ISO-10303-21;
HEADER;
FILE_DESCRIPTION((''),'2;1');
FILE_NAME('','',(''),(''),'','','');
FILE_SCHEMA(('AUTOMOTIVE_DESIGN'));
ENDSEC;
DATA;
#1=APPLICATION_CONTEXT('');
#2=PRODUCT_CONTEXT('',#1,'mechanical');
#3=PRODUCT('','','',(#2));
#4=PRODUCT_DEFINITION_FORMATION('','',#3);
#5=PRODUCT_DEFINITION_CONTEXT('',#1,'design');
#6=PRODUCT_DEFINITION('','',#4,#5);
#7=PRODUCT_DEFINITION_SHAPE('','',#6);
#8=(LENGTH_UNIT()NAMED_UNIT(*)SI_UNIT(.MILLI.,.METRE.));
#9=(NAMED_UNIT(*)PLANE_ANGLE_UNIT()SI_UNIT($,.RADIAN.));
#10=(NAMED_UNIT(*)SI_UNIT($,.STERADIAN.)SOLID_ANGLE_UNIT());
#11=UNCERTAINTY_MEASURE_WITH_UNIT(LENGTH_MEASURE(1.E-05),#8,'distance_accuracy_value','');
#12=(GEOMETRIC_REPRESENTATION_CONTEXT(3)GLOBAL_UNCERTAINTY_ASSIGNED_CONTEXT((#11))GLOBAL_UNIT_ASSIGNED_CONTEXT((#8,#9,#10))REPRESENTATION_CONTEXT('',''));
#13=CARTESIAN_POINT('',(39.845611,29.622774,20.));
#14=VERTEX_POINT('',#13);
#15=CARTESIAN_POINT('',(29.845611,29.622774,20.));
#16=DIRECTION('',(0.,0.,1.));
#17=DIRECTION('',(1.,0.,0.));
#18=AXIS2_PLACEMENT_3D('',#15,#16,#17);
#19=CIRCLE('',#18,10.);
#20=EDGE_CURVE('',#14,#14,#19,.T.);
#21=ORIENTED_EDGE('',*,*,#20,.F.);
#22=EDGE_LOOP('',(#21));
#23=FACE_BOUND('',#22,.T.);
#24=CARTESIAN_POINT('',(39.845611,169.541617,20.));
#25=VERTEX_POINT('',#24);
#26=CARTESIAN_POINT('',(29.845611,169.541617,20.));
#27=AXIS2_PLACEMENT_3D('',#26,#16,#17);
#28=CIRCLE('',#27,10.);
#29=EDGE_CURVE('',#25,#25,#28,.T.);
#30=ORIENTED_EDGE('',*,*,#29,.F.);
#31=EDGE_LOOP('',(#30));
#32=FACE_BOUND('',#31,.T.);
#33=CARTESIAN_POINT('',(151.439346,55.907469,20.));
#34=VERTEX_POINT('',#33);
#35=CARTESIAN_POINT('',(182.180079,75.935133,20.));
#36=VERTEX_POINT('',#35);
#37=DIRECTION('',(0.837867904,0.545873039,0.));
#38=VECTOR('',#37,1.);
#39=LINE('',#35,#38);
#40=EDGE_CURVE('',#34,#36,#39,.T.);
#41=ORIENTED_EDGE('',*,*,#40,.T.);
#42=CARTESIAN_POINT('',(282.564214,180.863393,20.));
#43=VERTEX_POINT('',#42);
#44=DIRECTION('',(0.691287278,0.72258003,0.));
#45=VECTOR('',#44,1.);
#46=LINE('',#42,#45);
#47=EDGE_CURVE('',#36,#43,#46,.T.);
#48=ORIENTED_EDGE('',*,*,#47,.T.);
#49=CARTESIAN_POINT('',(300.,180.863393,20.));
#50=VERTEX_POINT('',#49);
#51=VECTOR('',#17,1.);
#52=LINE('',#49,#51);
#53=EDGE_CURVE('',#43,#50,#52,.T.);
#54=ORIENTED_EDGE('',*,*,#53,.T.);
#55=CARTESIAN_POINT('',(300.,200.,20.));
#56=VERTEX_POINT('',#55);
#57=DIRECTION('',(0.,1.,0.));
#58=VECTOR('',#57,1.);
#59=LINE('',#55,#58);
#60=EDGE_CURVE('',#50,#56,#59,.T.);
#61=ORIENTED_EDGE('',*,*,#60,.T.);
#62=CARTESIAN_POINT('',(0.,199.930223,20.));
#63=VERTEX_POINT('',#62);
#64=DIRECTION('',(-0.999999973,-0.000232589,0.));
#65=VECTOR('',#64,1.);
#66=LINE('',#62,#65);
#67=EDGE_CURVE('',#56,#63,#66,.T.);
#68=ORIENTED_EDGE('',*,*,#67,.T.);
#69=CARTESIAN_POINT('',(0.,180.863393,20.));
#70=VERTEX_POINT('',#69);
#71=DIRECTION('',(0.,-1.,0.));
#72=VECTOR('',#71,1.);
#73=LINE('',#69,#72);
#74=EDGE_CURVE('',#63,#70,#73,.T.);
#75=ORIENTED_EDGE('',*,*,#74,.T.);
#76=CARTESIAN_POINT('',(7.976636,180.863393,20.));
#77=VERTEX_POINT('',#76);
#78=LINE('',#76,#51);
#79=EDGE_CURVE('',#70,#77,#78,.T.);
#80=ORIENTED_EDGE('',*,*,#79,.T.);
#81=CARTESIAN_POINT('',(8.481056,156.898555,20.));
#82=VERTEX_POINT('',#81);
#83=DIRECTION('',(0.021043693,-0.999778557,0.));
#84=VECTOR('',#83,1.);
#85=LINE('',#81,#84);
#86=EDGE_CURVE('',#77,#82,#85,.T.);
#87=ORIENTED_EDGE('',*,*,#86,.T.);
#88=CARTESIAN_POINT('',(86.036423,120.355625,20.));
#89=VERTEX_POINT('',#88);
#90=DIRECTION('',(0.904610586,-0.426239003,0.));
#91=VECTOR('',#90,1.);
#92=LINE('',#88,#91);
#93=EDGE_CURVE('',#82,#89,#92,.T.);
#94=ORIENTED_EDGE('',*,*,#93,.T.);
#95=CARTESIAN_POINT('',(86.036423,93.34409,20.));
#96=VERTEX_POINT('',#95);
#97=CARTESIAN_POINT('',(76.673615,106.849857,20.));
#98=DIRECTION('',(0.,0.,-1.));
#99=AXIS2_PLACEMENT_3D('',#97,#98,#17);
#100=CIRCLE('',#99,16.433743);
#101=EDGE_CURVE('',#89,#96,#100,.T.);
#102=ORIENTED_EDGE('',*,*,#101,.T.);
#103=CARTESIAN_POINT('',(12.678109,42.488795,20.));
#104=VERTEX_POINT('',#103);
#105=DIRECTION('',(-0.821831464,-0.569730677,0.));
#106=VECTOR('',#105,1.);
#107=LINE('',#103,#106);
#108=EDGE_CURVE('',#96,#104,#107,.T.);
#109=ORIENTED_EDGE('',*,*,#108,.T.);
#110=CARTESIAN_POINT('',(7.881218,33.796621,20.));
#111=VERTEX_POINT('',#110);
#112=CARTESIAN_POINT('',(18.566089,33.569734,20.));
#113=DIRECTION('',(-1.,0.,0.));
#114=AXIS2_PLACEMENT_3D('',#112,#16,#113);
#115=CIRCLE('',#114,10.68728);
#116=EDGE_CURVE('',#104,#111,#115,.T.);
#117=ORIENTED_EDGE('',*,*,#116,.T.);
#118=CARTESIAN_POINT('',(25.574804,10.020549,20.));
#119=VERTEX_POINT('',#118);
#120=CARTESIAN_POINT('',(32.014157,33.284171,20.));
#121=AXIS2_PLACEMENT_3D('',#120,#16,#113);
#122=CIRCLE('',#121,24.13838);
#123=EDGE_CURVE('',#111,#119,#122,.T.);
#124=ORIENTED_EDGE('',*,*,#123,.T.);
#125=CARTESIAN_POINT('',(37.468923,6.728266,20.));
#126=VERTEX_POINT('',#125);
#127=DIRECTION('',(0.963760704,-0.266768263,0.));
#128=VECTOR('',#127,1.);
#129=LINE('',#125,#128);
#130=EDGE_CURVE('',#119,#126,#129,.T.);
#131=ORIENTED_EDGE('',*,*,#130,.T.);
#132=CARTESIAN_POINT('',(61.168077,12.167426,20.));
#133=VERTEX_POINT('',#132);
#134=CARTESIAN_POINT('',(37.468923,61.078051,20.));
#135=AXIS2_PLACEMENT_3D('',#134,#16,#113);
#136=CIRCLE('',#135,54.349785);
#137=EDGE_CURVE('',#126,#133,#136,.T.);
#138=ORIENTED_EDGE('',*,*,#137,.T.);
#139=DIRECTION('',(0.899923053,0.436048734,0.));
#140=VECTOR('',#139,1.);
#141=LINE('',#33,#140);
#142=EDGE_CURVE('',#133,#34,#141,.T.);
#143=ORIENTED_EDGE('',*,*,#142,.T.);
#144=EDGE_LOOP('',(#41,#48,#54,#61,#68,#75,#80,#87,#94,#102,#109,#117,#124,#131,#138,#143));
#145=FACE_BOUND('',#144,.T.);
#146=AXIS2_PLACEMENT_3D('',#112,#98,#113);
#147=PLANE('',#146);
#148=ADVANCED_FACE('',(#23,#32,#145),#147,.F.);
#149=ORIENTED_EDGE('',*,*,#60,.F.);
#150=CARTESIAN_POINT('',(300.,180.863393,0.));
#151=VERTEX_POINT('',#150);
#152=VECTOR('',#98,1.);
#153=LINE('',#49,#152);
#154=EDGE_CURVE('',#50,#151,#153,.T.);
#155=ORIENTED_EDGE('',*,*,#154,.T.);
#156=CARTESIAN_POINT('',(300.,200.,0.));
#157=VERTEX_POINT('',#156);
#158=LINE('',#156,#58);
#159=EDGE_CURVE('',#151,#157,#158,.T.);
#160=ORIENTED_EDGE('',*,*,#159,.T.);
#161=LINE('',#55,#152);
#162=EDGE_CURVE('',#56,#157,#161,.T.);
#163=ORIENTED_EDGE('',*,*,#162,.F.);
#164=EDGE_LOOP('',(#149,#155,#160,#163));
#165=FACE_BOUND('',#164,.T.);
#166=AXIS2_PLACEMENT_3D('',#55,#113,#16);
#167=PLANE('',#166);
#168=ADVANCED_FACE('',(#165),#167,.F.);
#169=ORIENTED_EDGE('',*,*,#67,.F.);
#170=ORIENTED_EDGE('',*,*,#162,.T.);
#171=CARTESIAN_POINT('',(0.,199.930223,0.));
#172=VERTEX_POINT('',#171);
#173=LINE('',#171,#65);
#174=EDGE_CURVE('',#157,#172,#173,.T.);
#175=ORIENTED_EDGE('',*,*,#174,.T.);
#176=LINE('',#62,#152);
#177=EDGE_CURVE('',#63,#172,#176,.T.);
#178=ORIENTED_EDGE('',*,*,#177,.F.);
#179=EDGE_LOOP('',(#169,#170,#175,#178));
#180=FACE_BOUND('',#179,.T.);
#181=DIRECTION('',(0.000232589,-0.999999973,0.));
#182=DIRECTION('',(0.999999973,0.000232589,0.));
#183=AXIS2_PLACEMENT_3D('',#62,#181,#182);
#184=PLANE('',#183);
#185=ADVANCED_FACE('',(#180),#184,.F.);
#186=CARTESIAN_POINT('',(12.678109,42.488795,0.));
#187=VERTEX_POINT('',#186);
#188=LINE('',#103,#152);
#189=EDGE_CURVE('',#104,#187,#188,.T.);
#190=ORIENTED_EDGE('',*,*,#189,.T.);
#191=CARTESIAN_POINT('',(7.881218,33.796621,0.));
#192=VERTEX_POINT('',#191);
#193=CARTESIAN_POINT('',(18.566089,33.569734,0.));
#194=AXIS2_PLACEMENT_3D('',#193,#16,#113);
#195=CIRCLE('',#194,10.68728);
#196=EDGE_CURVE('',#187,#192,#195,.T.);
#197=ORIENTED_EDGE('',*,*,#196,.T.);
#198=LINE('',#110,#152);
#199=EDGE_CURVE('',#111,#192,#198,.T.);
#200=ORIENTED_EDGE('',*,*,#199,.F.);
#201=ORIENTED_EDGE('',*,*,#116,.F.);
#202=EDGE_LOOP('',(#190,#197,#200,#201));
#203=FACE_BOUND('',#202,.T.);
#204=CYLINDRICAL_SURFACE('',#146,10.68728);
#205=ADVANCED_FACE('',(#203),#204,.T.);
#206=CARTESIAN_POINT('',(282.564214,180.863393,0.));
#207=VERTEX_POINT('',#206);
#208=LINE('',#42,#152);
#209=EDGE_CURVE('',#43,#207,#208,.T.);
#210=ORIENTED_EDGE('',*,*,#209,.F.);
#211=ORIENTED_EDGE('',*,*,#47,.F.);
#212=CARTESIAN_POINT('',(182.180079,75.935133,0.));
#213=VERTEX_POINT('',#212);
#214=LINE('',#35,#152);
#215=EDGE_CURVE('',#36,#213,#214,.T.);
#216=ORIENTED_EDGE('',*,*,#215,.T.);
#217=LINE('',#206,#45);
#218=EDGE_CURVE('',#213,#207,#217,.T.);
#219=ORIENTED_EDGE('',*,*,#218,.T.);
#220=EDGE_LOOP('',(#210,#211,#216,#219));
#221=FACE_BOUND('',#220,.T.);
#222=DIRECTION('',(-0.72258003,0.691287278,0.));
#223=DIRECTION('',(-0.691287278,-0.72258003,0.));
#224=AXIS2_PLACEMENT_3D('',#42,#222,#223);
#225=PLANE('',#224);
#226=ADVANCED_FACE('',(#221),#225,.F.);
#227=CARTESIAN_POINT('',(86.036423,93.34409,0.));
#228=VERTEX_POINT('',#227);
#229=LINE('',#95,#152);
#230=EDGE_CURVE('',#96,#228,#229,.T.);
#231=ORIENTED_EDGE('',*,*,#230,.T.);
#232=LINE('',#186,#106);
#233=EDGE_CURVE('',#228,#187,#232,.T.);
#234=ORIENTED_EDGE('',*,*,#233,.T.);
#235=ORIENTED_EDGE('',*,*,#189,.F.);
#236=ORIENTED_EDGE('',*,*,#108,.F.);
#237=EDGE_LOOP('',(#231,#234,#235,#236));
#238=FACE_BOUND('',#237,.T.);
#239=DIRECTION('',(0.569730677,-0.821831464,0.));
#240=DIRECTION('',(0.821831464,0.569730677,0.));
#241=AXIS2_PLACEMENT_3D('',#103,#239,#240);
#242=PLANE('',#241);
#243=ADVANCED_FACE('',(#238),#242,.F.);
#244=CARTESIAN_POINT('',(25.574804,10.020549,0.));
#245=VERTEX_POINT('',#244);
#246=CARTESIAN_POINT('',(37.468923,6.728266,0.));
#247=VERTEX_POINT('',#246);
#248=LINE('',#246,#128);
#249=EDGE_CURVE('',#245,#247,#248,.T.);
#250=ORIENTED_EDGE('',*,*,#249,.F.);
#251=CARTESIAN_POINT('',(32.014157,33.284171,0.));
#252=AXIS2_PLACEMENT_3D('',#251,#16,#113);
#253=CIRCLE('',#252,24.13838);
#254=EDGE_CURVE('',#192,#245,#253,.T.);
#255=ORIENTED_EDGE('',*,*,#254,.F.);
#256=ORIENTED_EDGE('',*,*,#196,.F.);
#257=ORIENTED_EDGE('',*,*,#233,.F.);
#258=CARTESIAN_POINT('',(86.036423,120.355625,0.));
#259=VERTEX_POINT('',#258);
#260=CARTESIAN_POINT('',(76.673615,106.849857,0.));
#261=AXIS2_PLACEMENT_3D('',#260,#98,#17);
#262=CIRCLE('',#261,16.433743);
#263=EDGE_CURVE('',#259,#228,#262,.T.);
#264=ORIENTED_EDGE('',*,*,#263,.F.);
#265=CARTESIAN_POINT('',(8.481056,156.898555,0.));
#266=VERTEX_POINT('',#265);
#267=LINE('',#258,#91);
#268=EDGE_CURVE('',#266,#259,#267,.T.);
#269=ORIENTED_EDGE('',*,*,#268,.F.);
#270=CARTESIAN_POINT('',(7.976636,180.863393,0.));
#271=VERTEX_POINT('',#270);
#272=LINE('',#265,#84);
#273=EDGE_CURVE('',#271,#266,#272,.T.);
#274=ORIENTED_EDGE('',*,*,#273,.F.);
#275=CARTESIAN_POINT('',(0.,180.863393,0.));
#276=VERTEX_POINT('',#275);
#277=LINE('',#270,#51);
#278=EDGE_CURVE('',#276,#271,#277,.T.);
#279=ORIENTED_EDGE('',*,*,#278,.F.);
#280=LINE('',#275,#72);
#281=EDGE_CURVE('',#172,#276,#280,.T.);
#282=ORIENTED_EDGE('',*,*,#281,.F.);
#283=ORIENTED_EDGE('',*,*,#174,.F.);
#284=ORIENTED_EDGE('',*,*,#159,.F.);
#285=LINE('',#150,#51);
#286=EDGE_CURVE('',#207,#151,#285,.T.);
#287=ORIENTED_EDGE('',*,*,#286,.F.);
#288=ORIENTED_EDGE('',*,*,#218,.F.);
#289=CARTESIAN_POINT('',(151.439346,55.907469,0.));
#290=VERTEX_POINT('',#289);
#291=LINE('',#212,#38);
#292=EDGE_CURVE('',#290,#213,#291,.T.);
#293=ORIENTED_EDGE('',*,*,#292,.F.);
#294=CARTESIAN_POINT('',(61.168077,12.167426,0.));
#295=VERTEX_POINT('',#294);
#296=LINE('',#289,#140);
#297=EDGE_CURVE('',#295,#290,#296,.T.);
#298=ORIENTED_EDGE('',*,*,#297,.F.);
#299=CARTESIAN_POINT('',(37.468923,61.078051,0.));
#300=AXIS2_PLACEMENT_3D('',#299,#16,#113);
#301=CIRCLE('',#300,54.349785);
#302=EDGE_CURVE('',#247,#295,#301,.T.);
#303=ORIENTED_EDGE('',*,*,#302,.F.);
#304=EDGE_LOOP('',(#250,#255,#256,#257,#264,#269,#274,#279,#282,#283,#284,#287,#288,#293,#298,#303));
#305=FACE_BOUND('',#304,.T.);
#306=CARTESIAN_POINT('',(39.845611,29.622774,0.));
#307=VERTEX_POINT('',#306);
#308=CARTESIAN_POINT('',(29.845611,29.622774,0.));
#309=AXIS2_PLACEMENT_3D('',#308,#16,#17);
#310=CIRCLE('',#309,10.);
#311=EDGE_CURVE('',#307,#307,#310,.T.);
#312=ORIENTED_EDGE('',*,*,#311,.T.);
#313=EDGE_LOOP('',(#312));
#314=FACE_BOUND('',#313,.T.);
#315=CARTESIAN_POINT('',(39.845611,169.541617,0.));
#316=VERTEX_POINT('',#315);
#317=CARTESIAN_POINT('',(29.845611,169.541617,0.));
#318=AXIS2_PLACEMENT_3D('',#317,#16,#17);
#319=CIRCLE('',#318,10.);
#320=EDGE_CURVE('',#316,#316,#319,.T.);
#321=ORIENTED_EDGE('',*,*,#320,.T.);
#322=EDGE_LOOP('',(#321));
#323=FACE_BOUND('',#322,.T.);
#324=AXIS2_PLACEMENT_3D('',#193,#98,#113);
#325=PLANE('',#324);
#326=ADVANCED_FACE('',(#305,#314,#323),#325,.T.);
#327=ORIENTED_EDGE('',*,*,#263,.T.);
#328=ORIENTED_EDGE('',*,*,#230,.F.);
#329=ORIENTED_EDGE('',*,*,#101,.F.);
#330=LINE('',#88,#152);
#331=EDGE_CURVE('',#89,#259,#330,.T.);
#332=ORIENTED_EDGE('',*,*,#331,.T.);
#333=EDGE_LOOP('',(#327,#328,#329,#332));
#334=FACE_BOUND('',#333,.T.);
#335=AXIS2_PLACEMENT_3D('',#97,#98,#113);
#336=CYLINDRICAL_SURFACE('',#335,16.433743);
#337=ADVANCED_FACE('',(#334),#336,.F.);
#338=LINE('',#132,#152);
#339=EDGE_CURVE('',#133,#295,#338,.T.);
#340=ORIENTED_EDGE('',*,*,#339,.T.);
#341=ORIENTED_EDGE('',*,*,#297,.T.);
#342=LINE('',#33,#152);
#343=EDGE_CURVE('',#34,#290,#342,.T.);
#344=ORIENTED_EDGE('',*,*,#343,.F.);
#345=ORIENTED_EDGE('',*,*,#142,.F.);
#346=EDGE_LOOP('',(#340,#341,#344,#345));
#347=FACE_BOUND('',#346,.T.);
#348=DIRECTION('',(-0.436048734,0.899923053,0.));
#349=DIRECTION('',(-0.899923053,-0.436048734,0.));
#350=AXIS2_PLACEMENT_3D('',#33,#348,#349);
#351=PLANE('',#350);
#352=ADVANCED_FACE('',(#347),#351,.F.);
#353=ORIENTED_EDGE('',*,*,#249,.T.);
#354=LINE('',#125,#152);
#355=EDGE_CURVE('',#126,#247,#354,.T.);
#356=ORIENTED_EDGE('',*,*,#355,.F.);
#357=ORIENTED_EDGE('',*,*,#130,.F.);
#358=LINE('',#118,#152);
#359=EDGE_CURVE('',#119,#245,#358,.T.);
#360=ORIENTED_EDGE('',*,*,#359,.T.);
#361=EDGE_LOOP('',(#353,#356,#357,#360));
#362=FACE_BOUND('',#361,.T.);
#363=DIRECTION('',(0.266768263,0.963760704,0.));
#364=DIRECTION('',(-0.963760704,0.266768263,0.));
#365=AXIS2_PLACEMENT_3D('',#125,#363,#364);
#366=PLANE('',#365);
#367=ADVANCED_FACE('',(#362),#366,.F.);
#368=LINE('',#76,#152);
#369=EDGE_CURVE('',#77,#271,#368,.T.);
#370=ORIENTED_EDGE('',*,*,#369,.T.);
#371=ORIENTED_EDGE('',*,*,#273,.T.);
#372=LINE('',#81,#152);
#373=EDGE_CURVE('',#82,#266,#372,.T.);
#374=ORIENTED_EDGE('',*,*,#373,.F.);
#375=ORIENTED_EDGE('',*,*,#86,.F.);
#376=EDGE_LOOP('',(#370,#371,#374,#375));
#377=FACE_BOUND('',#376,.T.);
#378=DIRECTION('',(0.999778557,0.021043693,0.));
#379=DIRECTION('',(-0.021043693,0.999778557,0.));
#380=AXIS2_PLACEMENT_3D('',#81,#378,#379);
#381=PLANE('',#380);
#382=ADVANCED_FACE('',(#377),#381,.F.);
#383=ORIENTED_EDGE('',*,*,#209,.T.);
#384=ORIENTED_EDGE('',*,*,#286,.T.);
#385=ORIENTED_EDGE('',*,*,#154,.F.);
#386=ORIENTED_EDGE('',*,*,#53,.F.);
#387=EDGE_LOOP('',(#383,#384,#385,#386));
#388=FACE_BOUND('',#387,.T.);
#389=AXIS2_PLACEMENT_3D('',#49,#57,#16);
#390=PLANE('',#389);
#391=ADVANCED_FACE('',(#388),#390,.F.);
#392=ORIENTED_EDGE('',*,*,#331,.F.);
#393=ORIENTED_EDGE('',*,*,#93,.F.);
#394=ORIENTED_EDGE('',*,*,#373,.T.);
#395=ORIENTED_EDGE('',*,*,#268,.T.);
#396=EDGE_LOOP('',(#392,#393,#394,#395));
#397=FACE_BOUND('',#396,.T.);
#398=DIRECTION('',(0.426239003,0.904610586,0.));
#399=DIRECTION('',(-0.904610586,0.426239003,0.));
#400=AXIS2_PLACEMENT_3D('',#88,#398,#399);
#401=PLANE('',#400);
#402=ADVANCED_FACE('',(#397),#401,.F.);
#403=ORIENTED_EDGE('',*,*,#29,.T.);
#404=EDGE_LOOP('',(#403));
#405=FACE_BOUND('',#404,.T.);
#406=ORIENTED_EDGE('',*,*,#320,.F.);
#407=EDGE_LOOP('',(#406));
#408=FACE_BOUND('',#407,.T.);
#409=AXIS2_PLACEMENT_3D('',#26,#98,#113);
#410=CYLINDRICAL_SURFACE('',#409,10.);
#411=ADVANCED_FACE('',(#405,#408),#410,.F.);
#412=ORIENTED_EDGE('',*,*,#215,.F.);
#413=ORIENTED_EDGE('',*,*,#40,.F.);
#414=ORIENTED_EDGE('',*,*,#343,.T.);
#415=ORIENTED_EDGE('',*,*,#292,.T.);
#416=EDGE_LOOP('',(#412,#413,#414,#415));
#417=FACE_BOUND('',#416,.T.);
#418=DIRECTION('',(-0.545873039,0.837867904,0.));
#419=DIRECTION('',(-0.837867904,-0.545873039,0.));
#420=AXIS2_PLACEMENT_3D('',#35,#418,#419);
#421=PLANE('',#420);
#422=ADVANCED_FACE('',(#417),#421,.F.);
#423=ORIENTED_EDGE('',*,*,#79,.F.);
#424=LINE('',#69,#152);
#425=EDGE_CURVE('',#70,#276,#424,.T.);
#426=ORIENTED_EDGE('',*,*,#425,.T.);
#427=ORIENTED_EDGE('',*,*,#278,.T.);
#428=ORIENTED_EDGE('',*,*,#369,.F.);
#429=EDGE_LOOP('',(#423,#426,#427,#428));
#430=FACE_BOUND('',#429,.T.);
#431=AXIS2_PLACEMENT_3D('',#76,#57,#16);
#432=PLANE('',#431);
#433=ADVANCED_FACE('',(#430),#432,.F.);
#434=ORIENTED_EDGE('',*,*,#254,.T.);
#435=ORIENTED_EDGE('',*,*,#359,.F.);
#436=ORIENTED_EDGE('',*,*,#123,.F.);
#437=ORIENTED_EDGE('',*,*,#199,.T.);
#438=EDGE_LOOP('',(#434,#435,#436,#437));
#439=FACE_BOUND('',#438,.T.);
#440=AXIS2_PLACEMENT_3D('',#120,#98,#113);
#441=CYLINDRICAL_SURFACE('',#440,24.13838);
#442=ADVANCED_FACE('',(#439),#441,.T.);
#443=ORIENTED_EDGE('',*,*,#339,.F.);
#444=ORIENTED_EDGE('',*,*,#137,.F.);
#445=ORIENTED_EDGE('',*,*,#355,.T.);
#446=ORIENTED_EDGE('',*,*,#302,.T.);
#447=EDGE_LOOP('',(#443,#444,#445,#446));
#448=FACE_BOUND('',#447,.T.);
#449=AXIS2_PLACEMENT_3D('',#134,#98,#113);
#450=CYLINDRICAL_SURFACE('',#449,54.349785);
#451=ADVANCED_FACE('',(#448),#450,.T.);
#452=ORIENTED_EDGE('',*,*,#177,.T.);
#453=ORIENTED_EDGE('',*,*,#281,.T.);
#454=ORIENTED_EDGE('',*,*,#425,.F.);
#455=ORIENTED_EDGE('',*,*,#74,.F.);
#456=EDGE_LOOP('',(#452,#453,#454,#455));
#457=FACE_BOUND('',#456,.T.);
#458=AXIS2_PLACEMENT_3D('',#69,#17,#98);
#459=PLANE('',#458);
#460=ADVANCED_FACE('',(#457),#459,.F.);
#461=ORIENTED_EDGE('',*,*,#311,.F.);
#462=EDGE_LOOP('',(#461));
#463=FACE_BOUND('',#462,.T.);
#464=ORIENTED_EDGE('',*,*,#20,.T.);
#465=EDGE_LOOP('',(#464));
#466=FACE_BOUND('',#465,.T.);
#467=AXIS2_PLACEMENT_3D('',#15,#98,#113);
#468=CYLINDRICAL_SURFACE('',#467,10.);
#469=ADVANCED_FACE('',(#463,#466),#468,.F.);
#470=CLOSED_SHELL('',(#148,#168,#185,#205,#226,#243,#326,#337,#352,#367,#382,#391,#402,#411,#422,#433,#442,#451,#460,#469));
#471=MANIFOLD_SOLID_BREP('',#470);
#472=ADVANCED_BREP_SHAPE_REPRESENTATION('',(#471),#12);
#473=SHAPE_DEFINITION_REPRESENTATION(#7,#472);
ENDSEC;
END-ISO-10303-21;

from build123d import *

# Parameters (mm, degrees)
SZKIC3_R                    = 10
DODANIE_WYCI_GNI_CIE2_DEPTH = 20


with BuildPart() as part:
    # Szkic3 → Dodanie-wyciągnięcie2 (new body)
    with BuildSketch(Plane.XY):
        with BuildLine():
            Line((12.67810929, 42.488794767), (86.036422739, 93.344089821))
            ThreePointArc((86.036422739, 93.344089821), (93.107358396, 106.849857247), (86.036422739, 120.355624672))
            Line((86.036422739, 120.355624672), (8.481056429, 156.898555423))
            Line((8.481056429, 156.898555423), (7.976636035, 180.8633929))
            Line((7.976636035, 180.8633929), (0, 180.8633929))
            Line((0, 180.8633929), (0, 199.930223275))
            Line((0, 199.930223275), (300, 200))
            Line((300, 200), (300, 180.8633929))
            Line((300, 180.8633929), (282.564213809, 180.8633929))
            Line((282.564213809, 180.8633929), (182.180079392, 75.935133422))
            Line((182.180079392, 75.935133422), (151.439346205, 55.907468715))
            Line((151.439346205, 55.907468715), (61.168077446, 12.167426414))
            ThreePointArc((61.168077446, 12.167426414), (49.626578665, 8.105505852), (37.468922524, 6.72826588))
            Line((37.468922524, 6.72826588), (25.574803596, 10.020549368))
            ThreePointArc((25.574803596, 10.020549368), (12.6494554, 18.873421693), (7.881217502, 33.796621141))
            ThreePointArc((7.881217502, 33.796621141), (9.209095866, 38.733514905), (12.67810929, 42.488794767))
        make_face()
        with Locations((29.845610796, 29.622773701)):
            Circle(SZKIC3_R, mode=Mode.SUBTRACT)
        with Locations((29.845610796, 169.541616803)):
            Circle(SZKIC3_R, mode=Mode.SUBTRACT)
    extrude(amount=DODANIE_WYCI_GNI_CIE2_DEPTH)


solid = part.part
